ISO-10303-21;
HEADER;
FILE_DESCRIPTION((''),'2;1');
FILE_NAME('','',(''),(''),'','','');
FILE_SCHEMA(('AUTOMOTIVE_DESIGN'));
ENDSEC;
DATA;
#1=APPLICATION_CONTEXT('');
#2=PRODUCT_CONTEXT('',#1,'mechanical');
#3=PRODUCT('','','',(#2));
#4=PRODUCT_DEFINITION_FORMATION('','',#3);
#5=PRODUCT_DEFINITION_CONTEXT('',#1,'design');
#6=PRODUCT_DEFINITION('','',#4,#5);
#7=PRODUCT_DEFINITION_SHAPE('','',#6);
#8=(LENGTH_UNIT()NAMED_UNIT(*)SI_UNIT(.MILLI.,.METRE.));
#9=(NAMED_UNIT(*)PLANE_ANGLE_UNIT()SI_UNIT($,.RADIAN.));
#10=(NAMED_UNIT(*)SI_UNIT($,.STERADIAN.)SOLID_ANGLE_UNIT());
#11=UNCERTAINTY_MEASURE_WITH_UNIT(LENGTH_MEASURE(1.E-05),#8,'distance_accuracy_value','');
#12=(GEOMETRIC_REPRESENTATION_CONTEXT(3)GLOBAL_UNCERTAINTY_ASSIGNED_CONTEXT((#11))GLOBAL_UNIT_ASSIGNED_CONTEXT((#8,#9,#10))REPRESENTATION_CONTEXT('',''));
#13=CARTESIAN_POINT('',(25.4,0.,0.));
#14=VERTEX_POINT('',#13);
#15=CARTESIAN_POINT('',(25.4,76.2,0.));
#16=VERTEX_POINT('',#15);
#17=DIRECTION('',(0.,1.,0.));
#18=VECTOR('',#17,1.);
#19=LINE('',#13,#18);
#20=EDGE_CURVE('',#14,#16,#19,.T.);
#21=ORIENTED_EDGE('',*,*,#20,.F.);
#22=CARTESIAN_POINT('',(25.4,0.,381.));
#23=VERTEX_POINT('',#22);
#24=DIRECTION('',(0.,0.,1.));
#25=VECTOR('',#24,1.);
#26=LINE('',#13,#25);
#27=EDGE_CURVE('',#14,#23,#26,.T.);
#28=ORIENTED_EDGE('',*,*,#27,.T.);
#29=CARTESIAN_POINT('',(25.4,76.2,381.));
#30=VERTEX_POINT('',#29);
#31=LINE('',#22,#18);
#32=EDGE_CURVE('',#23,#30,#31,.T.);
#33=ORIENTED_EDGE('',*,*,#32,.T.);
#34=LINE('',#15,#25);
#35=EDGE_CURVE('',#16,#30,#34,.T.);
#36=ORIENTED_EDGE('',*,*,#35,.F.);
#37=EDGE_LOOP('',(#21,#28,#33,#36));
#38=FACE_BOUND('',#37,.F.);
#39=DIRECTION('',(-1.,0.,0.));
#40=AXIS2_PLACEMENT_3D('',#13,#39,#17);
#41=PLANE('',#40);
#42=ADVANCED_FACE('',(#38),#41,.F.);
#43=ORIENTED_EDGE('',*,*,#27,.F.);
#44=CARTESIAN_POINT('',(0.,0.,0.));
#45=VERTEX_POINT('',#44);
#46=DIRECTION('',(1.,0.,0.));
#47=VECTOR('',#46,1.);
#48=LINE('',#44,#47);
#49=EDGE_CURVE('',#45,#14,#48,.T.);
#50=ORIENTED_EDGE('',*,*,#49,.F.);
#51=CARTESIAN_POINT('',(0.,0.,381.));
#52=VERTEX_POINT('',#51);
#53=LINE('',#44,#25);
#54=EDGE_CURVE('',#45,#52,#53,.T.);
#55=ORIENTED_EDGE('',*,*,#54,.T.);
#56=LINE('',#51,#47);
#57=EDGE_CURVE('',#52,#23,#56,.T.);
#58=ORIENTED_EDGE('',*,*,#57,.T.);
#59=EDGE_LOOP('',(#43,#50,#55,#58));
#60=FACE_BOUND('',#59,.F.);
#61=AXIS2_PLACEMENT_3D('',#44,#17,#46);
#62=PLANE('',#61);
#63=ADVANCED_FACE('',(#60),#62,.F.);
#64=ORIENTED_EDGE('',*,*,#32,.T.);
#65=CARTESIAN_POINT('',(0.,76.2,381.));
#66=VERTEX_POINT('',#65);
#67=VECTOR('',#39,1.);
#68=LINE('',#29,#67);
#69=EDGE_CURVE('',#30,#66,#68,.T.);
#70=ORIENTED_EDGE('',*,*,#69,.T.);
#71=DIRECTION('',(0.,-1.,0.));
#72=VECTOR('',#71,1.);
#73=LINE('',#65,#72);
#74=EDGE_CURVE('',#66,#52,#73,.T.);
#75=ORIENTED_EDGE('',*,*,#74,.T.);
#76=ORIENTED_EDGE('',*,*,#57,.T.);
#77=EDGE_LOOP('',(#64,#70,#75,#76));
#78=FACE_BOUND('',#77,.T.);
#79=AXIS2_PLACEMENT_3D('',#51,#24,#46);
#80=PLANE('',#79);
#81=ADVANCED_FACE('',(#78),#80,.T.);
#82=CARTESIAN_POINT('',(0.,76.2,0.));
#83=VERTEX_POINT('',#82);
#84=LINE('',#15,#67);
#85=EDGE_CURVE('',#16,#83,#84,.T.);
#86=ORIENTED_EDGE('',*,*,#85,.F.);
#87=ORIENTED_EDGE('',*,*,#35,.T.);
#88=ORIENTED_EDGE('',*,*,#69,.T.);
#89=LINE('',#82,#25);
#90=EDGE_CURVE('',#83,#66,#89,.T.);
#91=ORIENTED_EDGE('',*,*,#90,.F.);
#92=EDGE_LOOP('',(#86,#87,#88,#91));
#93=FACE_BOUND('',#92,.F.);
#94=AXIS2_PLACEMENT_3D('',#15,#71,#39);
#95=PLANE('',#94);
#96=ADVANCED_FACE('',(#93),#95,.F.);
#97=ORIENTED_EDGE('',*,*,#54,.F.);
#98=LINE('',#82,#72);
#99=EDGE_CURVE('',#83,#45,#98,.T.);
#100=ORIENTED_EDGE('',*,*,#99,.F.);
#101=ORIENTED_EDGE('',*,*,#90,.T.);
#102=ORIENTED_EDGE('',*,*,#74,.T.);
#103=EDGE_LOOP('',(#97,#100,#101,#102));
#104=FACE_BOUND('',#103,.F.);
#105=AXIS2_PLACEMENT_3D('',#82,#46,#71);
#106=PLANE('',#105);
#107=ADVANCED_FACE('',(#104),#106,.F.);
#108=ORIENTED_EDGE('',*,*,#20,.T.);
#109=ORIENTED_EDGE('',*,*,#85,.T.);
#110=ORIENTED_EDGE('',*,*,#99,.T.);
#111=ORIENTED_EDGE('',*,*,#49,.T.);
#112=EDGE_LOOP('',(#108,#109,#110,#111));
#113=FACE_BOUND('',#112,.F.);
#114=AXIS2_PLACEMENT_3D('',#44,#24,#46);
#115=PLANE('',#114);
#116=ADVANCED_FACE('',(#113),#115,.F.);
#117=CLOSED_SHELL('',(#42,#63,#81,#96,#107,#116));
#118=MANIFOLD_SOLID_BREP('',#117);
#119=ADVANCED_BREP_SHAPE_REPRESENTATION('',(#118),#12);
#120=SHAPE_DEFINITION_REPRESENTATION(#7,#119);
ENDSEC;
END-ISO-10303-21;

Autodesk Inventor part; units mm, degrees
ref_plane "YZ Plane" through (0, 0, 0) normal (1, 0, 0) x (0, 1, 0)
ref_plane "XZ Plane" through (0, 0, 0) normal (0, 1, 0) x (-1, 0, 0)
ref_plane "XY Plane" through (0, 0, 0) normal (0, 0, 1) x (1, 0, 0)
sketch "Sketch1" plane through (0, 0, 0) normal (0, 0, 1) x (1, 0, 0)
  line L0 (0, 0) -> (25.4, 0)
  line L1 (25.4, 0) -> (25.4, 76.2)
  line L2 (25.4, 76.2) -> (0, 76.2)
  line L3 (0, 76.2) -> (0, 0)
  dimension "d0" = 25.4
  dimension "d1" = 76.2
extrude "Extrusion1" add sketch "Sketch1" along normal blind 381
properties part number "15in wire duct"
